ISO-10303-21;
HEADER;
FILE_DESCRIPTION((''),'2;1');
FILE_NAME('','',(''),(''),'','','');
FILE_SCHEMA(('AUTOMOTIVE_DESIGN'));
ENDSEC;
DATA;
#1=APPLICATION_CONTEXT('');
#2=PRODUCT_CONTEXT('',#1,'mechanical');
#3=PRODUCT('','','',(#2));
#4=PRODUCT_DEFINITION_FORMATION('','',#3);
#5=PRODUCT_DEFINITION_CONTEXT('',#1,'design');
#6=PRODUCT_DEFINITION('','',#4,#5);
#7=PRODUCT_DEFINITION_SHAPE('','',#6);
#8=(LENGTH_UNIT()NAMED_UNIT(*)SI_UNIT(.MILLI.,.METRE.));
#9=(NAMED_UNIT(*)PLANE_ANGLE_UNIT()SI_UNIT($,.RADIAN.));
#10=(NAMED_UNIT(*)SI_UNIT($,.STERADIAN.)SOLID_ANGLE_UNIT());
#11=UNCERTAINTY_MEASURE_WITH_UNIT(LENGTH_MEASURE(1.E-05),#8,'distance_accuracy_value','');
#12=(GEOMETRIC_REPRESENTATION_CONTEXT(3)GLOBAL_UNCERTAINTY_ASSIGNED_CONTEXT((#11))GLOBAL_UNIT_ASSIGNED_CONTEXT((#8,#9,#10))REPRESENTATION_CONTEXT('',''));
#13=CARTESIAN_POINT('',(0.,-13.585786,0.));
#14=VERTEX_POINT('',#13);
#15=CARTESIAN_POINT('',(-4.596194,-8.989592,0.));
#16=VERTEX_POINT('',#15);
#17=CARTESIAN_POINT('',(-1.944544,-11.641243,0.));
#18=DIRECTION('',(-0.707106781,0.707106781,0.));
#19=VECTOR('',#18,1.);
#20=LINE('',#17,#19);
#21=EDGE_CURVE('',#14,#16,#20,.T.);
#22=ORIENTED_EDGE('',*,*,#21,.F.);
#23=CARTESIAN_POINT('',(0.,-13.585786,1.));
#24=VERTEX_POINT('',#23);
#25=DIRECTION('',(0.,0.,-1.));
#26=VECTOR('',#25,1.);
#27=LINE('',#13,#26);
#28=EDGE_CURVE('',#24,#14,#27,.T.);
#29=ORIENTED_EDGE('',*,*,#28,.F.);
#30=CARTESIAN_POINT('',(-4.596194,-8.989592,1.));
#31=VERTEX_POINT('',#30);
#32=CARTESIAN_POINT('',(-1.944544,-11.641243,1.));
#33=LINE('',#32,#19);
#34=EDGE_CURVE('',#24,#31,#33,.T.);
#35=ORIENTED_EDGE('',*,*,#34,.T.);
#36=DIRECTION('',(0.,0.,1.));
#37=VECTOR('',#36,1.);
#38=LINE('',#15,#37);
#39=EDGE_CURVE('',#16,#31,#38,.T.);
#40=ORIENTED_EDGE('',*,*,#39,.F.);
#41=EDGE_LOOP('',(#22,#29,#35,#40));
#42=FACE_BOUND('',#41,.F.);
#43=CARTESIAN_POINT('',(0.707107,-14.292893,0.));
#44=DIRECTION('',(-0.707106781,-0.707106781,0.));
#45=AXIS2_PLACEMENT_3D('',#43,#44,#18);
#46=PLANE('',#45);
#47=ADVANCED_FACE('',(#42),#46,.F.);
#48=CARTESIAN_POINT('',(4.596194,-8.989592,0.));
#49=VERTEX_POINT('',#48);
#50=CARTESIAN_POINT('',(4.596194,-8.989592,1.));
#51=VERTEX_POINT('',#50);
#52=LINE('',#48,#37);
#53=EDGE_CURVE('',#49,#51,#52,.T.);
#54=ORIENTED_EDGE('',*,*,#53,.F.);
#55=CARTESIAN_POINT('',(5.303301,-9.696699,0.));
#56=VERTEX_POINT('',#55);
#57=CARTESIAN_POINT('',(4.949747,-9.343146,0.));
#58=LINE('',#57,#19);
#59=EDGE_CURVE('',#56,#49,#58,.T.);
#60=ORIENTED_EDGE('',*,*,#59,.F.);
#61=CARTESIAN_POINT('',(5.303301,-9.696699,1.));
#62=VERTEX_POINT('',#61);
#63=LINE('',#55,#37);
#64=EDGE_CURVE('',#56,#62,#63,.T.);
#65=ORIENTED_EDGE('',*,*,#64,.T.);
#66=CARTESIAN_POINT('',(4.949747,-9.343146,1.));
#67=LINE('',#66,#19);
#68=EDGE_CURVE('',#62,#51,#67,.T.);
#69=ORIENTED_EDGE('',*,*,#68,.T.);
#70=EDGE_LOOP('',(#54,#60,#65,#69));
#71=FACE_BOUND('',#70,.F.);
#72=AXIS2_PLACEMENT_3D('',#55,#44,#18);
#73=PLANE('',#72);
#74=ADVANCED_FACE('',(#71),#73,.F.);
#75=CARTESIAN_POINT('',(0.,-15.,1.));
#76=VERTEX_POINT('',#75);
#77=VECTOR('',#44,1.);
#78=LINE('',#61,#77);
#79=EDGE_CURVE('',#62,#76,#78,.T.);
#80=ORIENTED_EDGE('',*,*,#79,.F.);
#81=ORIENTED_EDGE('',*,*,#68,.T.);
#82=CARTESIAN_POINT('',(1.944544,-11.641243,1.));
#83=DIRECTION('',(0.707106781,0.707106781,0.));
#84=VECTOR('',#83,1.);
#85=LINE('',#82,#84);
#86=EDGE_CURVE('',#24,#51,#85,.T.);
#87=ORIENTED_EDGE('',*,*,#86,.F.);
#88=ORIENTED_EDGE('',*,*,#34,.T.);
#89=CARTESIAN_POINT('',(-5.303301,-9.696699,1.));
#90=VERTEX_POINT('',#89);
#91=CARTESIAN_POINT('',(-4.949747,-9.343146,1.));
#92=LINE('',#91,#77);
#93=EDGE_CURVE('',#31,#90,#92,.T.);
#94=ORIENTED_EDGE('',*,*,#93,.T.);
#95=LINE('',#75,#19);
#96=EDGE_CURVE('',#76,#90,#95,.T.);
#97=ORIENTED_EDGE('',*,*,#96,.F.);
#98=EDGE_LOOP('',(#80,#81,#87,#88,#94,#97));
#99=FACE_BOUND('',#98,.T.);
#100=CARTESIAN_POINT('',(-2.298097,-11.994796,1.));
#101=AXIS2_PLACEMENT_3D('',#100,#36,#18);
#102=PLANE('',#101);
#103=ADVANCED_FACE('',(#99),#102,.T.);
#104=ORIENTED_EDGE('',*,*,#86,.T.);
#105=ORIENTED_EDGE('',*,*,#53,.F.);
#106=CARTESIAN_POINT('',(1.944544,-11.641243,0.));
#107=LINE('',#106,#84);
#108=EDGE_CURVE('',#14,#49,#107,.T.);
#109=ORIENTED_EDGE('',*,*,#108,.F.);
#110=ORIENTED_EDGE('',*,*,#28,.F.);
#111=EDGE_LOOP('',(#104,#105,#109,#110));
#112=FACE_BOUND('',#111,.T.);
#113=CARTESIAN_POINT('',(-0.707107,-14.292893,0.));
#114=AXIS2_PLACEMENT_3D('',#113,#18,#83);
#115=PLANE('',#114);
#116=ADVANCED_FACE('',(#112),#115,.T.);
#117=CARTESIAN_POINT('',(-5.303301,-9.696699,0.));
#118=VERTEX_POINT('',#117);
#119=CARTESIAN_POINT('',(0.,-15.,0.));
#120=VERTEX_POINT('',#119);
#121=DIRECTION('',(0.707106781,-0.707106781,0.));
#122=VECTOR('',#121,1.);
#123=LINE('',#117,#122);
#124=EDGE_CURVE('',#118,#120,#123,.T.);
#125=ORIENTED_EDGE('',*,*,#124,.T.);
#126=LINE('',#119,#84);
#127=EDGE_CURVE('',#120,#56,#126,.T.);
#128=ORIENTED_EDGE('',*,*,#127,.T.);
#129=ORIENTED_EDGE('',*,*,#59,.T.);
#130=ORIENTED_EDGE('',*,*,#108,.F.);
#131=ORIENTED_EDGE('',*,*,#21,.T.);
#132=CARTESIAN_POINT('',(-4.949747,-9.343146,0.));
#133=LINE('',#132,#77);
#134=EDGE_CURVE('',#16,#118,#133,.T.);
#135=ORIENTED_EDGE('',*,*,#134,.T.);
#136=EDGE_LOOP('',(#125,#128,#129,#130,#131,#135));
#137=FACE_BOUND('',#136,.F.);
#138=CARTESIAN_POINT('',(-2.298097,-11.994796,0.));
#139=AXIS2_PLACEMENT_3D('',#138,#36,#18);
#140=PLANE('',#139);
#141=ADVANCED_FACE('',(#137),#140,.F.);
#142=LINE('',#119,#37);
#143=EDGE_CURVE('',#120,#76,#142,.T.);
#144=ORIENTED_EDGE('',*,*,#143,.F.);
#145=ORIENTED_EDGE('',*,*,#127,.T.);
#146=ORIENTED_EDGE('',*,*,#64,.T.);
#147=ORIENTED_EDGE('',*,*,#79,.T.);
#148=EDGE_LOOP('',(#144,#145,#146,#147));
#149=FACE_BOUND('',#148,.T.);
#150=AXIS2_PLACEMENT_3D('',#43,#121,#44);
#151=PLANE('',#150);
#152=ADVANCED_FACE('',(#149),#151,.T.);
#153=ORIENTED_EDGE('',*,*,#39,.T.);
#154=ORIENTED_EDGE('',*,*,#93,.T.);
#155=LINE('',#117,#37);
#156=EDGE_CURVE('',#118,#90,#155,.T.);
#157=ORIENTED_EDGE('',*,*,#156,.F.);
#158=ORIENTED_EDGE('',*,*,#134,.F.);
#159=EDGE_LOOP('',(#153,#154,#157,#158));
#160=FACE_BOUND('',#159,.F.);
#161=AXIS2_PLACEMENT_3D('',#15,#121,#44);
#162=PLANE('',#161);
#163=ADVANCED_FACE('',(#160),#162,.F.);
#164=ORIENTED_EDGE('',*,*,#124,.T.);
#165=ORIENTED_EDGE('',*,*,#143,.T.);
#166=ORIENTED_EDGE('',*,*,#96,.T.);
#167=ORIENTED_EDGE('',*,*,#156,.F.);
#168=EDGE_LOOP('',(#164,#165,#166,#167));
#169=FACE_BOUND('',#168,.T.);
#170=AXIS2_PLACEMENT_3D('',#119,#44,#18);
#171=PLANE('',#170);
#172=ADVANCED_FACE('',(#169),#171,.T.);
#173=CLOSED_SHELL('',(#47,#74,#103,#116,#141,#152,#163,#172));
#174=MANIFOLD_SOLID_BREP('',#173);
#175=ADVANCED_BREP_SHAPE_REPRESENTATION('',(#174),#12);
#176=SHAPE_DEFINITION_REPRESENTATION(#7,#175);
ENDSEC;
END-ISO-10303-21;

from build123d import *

# Parameters (mm, degrees)
BOX088_W                  = 7.5
BOX088_H                  = 1
BOX088_DEPTH              = 1
BOX087_W                  = 7.5
BOX087_H                  = 1
BOX087_DEPTH              = 1
FUSION017_PLACEMENT_ANGLE = 45


with BuildPart() as cube088:
    # Box088 → Box088 (new body)
    with BuildSketch(Plane.XY):
        with Locations((3.75, 0.5)):
            Rectangle(BOX088_W, BOX088_H)
    extrude(amount=BOX088_DEPTH)


with BuildPart() as bigarrowled:
    # Box087 → Box087 (new body)
    with BuildSketch(Plane(origin=(1, 0, 0), x_dir=(0, 1, 0), z_dir=(0, 0, 1))):
        with Locations((3.75, 0.5)):
            Rectangle(BOX087_W, BOX087_H)
    extrude(amount=BOX087_DEPTH)

    # Fusion017: union Cube088
    add(cube088.part)


with BuildPart() as bigarrowled_1:
    # Fusion017 placement: moved
    add(bigarrowled.part.moved(Location((0, -15, 0))).rotate(Axis((0, -15, 0), (0, 0, 1)), FUSION017_PLACEMENT_ANGLE))


solid = bigarrowled_1.part
